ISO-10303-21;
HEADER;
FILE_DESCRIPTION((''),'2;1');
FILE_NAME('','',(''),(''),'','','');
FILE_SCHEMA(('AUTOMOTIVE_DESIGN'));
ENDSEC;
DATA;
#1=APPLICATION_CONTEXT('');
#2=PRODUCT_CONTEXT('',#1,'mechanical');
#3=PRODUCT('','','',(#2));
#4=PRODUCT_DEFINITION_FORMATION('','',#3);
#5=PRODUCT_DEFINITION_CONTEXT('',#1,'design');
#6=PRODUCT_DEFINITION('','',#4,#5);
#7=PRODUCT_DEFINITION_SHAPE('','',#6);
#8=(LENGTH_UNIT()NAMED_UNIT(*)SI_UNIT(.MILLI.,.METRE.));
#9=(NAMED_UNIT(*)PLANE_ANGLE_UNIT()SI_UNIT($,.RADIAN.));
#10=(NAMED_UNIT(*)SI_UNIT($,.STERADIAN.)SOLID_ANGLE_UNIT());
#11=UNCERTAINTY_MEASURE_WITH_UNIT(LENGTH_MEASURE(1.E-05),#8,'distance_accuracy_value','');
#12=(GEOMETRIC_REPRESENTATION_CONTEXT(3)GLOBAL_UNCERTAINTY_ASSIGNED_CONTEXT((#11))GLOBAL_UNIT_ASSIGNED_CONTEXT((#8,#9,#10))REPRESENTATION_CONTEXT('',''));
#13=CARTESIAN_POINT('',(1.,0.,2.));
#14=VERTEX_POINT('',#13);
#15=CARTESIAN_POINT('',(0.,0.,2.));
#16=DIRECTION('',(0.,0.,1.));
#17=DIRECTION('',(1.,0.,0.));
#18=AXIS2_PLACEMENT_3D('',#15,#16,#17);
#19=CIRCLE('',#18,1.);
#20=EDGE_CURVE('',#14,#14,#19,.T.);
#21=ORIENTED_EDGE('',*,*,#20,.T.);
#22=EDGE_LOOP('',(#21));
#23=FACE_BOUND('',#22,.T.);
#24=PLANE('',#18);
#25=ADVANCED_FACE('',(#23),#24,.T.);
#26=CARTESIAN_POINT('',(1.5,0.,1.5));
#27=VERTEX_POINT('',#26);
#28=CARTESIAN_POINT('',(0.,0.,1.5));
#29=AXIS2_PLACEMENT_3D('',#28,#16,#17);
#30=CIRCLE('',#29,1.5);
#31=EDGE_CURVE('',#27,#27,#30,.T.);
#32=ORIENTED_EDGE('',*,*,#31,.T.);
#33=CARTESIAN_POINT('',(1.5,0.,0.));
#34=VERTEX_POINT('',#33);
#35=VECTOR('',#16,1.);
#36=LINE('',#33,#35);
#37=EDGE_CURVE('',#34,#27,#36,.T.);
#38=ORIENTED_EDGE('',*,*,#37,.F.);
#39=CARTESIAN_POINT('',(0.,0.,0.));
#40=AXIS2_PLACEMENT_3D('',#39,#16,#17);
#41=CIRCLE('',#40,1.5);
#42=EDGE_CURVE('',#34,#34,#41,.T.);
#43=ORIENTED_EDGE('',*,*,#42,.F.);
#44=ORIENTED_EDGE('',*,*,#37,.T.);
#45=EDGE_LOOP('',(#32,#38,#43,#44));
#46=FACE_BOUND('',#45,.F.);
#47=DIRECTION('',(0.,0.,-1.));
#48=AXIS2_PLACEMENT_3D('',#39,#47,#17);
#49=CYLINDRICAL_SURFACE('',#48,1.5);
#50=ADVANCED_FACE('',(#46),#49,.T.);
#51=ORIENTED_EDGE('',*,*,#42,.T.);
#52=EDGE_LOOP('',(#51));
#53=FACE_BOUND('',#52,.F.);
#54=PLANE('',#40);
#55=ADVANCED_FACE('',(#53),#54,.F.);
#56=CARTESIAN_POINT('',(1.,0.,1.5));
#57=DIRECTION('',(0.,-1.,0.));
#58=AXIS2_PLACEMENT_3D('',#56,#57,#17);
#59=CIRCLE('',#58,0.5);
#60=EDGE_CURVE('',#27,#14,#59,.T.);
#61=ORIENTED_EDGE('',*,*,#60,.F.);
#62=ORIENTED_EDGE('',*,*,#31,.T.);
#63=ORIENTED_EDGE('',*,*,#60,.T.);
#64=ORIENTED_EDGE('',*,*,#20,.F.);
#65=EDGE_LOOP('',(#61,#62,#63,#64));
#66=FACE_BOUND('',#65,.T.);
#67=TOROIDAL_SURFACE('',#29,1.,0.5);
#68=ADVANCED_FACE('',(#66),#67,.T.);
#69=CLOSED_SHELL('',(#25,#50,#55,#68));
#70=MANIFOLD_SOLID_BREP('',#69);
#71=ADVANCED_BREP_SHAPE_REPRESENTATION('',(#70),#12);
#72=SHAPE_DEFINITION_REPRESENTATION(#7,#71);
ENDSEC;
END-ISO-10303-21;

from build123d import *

# Parameters (mm, degrees)
SKETCH_R  = 1.5
PAD_DEPTH = 2
FILLET_R  = 0.5


with BuildPart() as part:
    # Sketch → Pad (new body)
    with BuildSketch(Plane.XY):
        Circle(SKETCH_R)
    extrude(amount=PAD_DEPTH)

    # Fillet
    fillet_edges = [part.edges().sort_by_distance(p)[0] for p in [
        (-1.5, 0, 2),
    ]]
    fillet(fillet_edges, radius=FILLET_R)


solid = part.part
